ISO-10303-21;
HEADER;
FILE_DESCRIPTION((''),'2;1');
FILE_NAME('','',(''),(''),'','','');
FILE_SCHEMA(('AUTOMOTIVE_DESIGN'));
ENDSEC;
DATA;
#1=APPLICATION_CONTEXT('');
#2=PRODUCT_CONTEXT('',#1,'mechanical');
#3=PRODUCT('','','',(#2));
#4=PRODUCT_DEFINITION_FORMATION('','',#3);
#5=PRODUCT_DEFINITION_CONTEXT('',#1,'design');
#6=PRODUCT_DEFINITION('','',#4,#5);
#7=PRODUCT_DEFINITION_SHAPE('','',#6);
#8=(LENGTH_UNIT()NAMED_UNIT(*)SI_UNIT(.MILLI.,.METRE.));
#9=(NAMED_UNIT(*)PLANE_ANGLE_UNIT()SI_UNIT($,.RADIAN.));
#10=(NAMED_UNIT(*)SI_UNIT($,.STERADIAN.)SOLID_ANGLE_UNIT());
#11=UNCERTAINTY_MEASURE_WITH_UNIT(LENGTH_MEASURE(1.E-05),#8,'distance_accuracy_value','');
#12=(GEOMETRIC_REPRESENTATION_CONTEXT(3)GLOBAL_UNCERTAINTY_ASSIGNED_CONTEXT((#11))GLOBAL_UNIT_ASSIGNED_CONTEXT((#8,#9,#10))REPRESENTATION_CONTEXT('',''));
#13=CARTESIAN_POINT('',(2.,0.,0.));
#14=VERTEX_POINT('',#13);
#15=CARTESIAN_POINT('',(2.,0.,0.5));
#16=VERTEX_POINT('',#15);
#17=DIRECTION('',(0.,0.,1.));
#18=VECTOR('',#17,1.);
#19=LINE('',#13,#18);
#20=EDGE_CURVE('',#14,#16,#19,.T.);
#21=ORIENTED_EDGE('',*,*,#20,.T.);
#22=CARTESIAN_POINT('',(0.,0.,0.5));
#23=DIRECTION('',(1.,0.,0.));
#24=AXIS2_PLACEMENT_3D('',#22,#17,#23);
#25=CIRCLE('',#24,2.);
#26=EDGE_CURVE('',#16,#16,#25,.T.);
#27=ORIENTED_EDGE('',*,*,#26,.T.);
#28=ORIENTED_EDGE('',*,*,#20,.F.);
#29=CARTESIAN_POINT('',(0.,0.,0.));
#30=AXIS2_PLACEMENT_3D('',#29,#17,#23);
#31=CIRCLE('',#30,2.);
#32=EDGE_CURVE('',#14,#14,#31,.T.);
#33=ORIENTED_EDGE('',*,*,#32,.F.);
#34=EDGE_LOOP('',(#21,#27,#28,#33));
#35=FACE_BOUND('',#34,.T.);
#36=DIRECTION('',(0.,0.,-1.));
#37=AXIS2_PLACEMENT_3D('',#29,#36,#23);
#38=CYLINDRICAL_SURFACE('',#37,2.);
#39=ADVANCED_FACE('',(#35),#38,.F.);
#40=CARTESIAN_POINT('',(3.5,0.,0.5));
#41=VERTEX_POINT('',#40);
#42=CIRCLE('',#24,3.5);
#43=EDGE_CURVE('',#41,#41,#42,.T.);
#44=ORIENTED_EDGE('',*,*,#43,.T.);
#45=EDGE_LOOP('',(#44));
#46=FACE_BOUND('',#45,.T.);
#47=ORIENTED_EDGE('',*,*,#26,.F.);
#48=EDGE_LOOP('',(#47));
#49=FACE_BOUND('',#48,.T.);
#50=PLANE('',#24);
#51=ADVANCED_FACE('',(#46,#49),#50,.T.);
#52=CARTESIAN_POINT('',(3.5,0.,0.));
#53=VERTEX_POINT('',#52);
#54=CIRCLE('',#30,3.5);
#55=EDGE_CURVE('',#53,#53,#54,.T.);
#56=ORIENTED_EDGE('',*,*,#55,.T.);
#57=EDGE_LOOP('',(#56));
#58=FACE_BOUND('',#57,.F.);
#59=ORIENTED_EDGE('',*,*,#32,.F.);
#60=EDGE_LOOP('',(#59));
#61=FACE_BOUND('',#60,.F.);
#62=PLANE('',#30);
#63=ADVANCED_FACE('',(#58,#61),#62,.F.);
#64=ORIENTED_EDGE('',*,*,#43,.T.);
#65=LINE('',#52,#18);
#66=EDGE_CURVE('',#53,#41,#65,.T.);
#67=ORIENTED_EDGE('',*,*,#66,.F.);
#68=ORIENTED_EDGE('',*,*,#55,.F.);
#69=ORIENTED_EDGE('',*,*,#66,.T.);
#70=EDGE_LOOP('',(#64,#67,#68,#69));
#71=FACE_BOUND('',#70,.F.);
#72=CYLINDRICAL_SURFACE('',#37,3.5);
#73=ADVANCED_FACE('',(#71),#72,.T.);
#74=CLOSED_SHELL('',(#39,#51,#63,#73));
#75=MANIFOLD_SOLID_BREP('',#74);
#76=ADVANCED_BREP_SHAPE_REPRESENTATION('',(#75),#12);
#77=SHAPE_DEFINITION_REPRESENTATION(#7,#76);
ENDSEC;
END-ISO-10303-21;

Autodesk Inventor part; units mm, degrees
ref_plane "YZ Plane" through (0, 0, 0) normal (1, 0, 0) x (0, 1, 0)
ref_plane "XZ Plane" through (0, 0, 0) normal (0, 1, 0) x (-1, 0, 0)
ref_plane "XY Plane" through (0, 0, 0) normal (0, 0, 1) x (1, 0, 0)
sketch "スケッチ1" plane through (0, 0, 0) normal (0, 0, 1) x (1, 0, 0)
  circle A0 centre (0, 0) radius 2
  circle A1 centre (0, 0) radius 3.5
  dimension "d0" = 4
  dimension "d1" = 7
extrude "押し出し1" add sketch "スケッチ1" along normal blind 0.5
properties part number "ワッシャD7d4m0.5" material "真鍮"
